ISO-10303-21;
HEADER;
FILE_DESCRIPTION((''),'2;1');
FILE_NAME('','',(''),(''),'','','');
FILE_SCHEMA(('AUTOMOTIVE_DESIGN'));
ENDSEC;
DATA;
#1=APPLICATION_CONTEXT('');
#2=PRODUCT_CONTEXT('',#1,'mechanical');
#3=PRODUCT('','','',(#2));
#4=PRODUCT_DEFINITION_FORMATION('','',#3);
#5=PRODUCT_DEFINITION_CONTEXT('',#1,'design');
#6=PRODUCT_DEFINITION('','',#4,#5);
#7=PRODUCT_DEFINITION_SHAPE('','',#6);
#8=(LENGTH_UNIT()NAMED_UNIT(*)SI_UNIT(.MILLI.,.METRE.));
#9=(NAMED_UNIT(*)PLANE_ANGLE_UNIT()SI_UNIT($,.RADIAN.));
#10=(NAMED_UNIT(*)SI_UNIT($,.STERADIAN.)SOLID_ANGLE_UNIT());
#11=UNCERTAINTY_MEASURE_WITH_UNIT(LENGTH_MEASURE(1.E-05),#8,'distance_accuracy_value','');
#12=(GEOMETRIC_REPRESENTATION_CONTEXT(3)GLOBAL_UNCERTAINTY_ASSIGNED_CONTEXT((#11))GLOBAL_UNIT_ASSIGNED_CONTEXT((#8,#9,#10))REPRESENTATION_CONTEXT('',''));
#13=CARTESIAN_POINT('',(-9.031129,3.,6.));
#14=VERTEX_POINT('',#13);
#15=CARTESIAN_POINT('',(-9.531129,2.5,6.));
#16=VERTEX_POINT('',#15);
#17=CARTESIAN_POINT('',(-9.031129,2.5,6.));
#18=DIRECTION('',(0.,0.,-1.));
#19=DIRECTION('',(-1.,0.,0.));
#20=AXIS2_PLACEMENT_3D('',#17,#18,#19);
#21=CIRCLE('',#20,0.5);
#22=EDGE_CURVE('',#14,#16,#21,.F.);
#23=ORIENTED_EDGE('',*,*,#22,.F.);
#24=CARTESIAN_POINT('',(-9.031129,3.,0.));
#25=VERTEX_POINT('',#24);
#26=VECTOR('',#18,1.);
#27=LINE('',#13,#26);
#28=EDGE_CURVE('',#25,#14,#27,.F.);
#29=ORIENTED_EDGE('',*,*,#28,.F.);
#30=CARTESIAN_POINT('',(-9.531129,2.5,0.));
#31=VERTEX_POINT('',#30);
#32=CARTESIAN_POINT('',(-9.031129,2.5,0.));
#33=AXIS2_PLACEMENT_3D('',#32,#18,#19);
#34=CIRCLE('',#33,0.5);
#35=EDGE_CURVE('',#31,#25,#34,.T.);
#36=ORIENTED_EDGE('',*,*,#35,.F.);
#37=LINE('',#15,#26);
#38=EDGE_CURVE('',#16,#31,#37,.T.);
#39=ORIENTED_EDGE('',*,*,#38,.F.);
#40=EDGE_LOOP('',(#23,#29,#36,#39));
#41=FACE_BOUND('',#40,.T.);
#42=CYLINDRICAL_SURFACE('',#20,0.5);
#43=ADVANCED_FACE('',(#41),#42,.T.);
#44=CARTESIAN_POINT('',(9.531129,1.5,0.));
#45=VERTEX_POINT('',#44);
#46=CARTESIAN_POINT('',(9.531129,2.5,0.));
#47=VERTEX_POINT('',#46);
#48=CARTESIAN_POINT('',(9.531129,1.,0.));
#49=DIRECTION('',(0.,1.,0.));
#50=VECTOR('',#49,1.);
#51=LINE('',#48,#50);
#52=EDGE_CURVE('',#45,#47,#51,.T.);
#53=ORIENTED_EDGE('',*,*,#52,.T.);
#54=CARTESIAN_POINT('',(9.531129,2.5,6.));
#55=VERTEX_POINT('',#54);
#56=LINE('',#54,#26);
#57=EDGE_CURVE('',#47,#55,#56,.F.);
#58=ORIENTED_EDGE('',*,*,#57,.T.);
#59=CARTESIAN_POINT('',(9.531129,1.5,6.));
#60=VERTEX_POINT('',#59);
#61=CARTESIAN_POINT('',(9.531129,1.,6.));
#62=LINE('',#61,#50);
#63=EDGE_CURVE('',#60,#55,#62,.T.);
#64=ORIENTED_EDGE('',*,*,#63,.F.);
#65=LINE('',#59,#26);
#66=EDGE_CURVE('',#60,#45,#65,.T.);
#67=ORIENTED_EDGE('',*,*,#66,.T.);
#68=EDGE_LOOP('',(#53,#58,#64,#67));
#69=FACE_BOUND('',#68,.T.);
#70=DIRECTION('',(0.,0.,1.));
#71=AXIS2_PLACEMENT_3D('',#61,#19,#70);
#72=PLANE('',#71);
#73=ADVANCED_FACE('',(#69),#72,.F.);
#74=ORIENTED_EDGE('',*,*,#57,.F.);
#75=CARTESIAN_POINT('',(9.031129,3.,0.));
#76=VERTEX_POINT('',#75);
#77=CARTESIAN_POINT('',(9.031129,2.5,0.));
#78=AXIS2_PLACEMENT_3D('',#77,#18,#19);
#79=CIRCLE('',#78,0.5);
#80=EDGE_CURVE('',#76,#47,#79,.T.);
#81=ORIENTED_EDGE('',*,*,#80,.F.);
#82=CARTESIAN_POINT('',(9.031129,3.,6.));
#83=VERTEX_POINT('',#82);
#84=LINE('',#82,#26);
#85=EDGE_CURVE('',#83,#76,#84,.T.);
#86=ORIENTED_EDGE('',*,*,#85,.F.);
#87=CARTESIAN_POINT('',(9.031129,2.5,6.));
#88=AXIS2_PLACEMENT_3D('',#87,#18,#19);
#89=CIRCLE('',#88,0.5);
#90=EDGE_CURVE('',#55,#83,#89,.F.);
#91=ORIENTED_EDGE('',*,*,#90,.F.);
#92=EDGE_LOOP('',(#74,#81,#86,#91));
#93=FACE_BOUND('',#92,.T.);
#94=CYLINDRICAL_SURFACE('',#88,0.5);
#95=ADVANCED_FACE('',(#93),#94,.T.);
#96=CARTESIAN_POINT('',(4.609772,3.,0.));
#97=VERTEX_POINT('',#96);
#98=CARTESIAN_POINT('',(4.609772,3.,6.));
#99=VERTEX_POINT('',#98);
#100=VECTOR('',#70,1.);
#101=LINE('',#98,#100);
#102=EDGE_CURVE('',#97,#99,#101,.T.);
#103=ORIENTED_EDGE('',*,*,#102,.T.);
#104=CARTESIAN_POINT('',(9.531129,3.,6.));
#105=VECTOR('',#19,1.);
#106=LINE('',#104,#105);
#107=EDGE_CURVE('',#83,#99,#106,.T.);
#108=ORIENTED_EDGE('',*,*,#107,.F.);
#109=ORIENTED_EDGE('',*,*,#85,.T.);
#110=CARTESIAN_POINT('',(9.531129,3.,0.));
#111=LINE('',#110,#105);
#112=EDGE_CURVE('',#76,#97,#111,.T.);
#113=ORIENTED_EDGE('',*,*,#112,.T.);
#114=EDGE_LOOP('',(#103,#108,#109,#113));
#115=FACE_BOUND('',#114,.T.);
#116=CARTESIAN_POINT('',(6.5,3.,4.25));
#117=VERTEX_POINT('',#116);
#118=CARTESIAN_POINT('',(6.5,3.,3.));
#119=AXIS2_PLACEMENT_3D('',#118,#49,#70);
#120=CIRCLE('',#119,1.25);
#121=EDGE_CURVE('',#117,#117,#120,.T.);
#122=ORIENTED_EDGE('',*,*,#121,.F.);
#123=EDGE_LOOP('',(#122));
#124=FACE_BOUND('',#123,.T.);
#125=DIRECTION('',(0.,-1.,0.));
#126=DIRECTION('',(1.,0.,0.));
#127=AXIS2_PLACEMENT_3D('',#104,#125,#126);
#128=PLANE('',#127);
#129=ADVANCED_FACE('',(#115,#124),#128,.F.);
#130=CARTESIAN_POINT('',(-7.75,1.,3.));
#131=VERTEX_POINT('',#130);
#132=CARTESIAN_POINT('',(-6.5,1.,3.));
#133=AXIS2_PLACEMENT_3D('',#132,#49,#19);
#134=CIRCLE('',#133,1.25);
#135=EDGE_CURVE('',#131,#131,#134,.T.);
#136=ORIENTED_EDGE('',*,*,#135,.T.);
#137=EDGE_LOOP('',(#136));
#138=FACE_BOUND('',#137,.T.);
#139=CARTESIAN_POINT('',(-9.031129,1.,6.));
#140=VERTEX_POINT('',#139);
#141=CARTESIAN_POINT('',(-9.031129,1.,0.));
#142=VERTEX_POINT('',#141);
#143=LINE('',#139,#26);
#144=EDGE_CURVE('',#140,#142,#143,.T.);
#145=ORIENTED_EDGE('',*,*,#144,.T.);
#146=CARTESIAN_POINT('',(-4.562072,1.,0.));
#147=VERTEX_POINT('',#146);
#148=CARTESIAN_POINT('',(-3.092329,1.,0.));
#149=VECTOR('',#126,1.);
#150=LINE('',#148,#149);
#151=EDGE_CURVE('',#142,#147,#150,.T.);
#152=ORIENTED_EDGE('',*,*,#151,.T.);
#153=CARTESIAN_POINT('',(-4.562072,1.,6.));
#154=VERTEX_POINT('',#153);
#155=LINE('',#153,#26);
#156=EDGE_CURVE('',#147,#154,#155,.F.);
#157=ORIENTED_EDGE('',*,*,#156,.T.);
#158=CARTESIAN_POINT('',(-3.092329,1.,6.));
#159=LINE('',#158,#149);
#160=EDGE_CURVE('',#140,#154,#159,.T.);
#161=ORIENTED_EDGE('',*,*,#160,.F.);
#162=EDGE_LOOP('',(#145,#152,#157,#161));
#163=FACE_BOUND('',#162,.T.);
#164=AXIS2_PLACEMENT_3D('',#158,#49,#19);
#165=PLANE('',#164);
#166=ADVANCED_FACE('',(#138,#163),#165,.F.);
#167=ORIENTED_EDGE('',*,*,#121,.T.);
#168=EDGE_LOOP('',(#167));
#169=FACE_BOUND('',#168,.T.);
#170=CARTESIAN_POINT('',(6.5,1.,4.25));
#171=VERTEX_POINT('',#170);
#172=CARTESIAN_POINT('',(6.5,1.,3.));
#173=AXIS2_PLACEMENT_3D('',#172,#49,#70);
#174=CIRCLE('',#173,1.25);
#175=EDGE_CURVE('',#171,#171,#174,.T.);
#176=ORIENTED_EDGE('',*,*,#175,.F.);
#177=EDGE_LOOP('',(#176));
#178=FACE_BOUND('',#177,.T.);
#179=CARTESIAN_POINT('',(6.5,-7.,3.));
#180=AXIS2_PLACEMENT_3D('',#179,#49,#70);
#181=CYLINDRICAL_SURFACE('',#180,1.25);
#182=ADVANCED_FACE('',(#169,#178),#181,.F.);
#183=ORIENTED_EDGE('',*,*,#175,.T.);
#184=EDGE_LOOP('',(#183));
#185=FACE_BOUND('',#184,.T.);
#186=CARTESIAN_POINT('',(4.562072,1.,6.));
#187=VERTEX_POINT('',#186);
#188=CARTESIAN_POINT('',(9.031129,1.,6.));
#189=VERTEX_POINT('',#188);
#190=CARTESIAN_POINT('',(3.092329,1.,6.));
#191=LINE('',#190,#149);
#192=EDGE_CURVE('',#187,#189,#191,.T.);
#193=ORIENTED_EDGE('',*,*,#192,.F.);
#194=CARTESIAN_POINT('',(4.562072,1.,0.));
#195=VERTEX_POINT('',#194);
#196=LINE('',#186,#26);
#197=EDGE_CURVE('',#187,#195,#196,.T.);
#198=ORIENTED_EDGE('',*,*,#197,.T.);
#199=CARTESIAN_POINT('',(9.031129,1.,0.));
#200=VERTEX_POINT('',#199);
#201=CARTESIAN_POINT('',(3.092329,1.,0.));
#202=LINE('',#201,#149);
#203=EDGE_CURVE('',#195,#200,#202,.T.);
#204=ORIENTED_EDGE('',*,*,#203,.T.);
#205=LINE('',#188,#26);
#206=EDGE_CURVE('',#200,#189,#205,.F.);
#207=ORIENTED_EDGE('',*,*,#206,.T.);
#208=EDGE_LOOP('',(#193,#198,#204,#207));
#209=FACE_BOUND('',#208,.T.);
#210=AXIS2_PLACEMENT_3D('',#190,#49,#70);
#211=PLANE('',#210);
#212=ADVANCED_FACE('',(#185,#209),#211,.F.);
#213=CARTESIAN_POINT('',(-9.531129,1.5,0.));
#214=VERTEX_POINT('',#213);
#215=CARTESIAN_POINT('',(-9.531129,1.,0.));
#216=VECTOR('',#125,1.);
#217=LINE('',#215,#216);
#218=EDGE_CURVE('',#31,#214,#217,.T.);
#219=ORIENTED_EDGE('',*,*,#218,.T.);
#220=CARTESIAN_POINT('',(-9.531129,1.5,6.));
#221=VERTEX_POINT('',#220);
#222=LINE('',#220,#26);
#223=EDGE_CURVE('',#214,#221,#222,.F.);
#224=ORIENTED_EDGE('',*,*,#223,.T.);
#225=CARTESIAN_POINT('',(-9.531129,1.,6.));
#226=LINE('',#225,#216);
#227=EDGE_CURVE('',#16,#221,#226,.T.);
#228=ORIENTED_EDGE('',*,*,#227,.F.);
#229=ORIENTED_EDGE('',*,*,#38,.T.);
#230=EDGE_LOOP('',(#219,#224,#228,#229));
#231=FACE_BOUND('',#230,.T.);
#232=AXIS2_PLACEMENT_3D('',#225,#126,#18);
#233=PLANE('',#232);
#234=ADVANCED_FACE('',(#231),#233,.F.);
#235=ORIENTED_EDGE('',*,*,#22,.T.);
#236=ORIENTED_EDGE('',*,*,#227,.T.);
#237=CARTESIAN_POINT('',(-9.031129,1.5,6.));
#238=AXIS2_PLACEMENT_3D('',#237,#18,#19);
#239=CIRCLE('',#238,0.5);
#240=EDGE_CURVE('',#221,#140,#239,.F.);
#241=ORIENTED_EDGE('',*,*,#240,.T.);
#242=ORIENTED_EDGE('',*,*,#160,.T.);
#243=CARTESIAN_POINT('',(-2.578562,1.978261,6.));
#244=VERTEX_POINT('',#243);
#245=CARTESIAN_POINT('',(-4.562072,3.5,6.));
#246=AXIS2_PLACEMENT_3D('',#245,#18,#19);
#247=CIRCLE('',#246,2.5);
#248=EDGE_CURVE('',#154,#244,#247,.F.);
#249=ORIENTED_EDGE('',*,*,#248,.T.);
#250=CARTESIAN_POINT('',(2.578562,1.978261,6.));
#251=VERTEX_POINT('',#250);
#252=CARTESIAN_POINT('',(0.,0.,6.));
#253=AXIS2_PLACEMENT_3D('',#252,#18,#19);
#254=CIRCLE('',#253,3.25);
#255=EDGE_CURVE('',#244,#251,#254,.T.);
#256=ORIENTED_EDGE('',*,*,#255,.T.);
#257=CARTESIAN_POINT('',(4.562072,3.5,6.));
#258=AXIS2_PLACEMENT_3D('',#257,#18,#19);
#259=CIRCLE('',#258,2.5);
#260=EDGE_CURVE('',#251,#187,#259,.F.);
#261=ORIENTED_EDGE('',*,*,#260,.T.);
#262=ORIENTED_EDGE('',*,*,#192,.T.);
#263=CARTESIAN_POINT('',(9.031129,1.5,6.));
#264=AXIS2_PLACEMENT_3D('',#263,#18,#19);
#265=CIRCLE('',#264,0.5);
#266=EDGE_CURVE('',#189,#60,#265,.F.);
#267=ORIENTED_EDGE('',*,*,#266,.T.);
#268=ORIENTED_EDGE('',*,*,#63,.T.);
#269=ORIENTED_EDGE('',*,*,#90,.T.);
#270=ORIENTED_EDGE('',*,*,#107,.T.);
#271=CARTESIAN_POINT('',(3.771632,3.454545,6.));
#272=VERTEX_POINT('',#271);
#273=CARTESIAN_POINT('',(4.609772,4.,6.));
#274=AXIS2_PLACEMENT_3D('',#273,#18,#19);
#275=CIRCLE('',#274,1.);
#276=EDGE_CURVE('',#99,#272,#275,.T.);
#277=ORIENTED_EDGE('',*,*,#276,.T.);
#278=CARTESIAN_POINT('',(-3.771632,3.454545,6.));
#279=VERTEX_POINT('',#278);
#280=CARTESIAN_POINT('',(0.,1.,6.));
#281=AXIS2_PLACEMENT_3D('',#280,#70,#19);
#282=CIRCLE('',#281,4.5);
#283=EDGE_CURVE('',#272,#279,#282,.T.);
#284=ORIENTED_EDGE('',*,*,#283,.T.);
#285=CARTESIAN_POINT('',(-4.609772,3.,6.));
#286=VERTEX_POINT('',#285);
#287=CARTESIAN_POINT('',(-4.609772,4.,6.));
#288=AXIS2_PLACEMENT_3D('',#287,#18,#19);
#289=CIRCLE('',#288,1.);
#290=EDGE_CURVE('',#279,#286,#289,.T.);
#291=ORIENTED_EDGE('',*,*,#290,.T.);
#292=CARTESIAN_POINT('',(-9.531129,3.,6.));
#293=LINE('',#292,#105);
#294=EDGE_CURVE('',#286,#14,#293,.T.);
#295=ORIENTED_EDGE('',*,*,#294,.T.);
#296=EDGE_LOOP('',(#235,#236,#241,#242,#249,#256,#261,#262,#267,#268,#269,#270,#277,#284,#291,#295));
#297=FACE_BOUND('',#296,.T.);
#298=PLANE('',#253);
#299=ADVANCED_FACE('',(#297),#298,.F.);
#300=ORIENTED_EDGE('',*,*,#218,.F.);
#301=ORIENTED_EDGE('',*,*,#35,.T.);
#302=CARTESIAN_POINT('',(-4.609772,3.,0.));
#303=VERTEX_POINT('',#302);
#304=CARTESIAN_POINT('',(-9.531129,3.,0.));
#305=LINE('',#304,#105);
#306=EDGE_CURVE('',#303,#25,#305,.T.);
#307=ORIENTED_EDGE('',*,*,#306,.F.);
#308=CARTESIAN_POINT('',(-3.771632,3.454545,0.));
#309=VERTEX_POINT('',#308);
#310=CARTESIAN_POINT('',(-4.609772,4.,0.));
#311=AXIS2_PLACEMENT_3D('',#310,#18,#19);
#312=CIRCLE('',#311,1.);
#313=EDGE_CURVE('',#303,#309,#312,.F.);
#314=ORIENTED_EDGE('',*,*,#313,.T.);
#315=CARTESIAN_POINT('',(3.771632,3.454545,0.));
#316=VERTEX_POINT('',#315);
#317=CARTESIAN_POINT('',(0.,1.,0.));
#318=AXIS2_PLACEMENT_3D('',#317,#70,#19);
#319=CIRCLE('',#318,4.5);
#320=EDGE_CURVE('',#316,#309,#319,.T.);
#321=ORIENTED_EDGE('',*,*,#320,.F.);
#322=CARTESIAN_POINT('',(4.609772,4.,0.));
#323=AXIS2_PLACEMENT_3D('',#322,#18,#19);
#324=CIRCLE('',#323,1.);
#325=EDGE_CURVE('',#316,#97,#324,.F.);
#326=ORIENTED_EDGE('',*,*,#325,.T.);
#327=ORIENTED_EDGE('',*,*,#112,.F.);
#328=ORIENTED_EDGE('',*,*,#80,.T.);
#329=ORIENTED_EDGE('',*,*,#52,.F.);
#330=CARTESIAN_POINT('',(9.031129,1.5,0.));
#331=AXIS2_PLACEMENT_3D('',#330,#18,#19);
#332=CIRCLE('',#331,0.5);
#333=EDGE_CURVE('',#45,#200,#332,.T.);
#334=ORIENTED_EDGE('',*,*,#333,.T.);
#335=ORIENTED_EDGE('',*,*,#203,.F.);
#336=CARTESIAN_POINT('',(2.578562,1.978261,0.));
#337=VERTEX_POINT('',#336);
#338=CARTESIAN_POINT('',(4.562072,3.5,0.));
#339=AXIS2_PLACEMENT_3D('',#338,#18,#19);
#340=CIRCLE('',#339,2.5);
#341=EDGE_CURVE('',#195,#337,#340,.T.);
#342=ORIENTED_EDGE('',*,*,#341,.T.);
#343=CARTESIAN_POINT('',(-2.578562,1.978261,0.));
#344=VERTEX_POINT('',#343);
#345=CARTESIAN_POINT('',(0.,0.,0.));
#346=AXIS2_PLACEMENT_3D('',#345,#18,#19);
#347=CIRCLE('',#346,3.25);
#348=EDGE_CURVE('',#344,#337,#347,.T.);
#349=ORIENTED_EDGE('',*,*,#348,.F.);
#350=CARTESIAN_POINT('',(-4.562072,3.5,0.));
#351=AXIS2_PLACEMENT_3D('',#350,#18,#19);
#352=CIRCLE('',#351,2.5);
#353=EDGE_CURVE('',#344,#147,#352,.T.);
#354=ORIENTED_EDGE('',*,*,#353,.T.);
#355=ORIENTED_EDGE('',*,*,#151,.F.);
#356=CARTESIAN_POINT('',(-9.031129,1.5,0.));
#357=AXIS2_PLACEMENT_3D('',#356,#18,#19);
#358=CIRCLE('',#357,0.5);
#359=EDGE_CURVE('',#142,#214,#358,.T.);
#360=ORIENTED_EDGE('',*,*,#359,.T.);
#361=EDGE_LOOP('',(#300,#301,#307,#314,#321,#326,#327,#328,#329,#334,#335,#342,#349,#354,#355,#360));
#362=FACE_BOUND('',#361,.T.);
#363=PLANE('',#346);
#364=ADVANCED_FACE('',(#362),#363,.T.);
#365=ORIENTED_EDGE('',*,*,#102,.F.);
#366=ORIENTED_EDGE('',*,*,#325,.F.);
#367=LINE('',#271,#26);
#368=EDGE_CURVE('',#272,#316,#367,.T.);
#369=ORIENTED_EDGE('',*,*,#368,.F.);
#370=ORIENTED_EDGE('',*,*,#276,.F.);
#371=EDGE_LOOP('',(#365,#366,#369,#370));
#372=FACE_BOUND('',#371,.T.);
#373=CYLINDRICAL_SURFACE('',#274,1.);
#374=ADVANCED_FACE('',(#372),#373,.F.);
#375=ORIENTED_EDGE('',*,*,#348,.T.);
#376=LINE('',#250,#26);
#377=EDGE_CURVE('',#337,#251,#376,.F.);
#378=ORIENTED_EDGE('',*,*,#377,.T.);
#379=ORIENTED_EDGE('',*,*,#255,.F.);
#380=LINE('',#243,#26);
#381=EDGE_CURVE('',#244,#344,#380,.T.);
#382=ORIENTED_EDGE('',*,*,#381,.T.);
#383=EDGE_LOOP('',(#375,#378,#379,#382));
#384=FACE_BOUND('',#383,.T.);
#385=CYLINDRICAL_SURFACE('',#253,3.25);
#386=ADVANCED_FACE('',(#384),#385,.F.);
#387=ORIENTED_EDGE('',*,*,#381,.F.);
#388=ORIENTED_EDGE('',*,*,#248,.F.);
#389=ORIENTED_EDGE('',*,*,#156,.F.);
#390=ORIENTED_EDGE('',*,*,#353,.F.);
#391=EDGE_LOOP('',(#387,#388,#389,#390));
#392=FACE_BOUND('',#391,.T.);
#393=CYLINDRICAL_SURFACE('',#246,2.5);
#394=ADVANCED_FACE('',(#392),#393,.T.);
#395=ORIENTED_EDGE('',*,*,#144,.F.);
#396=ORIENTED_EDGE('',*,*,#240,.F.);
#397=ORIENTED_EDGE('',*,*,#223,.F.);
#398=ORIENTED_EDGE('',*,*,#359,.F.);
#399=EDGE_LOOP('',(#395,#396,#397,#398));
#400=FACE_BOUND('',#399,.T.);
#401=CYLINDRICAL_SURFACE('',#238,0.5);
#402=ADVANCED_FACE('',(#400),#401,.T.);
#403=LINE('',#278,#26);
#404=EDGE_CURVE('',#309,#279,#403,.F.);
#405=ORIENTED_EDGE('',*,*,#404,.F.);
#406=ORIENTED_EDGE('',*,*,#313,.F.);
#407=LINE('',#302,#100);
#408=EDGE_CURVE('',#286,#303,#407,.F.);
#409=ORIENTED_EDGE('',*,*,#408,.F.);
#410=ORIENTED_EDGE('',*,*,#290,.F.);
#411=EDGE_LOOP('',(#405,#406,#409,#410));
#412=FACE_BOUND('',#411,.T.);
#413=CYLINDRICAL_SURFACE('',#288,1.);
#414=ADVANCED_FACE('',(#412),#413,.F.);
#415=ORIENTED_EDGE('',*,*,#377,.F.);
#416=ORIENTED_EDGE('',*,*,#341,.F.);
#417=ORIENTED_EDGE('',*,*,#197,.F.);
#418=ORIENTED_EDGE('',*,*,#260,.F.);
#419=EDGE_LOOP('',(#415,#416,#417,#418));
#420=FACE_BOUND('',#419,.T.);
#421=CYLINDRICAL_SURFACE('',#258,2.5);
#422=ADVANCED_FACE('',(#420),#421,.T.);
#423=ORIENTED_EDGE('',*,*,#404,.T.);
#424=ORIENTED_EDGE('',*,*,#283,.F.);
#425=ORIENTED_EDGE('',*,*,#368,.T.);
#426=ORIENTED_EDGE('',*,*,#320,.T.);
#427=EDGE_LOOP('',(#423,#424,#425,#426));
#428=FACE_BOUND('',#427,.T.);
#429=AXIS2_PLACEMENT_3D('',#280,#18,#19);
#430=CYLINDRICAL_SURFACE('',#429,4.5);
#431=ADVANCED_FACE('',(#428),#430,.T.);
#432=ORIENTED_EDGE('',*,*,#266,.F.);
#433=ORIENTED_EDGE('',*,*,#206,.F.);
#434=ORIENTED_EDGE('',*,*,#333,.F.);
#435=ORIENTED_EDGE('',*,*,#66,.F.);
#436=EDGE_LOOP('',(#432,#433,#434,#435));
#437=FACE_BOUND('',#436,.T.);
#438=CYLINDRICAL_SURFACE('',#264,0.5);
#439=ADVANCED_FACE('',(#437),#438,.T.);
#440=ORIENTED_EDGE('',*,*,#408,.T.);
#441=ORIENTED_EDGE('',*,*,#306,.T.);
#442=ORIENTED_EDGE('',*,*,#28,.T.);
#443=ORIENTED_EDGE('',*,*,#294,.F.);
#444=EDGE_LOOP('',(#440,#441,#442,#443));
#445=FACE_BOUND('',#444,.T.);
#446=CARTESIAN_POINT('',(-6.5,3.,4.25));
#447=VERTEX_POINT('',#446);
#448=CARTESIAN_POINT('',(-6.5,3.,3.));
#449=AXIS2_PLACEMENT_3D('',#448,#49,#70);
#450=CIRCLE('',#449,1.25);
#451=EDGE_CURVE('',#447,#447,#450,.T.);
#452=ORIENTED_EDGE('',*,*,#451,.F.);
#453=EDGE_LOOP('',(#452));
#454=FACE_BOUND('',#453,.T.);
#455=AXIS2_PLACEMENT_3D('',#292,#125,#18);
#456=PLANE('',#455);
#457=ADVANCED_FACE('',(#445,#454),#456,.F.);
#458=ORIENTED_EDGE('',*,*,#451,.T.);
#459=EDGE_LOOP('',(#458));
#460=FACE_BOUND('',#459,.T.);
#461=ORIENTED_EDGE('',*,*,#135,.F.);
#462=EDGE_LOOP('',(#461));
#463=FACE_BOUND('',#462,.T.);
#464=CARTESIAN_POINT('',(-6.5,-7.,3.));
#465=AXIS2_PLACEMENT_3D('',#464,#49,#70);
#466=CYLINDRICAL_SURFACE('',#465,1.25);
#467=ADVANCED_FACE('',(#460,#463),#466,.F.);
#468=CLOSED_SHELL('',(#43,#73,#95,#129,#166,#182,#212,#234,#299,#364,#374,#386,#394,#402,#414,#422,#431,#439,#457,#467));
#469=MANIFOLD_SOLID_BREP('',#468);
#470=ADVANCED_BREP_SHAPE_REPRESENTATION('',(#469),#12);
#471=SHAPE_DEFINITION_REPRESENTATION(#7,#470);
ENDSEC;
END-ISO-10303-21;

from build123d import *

# Parameters (mm, degrees)
BOSS_EXTRUDE1_DEPTH = 6
SKETCH2_R           = 1.25
CUT_EXTRUDE1_DEPTH  = 10
FILLET1_R           = 1
FILLET2_R           = 0.5
FILLET3_R           = 2.5


with BuildPart() as part:
    # Sketch1 → Boss-Extrude1 (new body)
    with BuildSketch(Plane.XY):
        with BuildLine():
            Line((-3.092329219, 1), (-9.531128874, 1))
            Line((-9.531128874, 1), (-9.531128874, 3))
            Line((-9.531128874, 3), (-4.031128874, 3))
            ThreePointArc((-4.031128874, 3), (0, 5.5), (4.031128874, 3))
            Line((4.031128874, 3), (9.531128874, 3))
            Line((9.531128874, 3), (9.531128874, 1))
            Line((9.531128874, 1), (3.092329219, 1))
            ThreePointArc((3.092329219, 1), (0, 3.25), (-3.092329219, 1))
        make_face()
    extrude(amount=BOSS_EXTRUDE1_DEPTH)

    # Sketch2 → Cut-Extrude1 (cut)
    with BuildSketch(Plane(origin=(0, 3, 0), x_dir=(1, 0, 0), z_dir=(0, 1, 0))):
        with Locations(Location((-6.5, -3, 0), (0, 0, 270))):
            Circle(SKETCH2_R)
        with Locations(Location((6.5, -3, 0), (0, 0, 270))):
            Circle(SKETCH2_R)
    extrude(amount=-CUT_EXTRUDE1_DEPTH, mode=Mode.SUBTRACT)

    # Fillet1
    fillet1_edges = [part.edges().sort_by_distance(p)[0] for p in [
        (-4.031128874, 3, 3),
        (4.031128874, 3, 3),
    ]]
    fillet(fillet1_edges, radius=FILLET1_R)

    # Fillet2
    fillet2_edges = [part.edges().sort_by_distance(p)[0] for p in [
        (-9.531128874, 1, 3),
        (-9.531128874, 3, 3),
        (9.531128874, 3, 3),
        (9.531128874, 1, 3),
    ]]
    fillet(fillet2_edges, radius=FILLET2_R)

    # Fillet3
    fillet3_edges = [part.edges().sort_by_distance(p)[0] for p in [
        (-3.092329219, 1, 3),
        (3.092329219, 1, 3),
    ]]
    fillet(fillet3_edges, radius=FILLET3_R)


solid = part.part
